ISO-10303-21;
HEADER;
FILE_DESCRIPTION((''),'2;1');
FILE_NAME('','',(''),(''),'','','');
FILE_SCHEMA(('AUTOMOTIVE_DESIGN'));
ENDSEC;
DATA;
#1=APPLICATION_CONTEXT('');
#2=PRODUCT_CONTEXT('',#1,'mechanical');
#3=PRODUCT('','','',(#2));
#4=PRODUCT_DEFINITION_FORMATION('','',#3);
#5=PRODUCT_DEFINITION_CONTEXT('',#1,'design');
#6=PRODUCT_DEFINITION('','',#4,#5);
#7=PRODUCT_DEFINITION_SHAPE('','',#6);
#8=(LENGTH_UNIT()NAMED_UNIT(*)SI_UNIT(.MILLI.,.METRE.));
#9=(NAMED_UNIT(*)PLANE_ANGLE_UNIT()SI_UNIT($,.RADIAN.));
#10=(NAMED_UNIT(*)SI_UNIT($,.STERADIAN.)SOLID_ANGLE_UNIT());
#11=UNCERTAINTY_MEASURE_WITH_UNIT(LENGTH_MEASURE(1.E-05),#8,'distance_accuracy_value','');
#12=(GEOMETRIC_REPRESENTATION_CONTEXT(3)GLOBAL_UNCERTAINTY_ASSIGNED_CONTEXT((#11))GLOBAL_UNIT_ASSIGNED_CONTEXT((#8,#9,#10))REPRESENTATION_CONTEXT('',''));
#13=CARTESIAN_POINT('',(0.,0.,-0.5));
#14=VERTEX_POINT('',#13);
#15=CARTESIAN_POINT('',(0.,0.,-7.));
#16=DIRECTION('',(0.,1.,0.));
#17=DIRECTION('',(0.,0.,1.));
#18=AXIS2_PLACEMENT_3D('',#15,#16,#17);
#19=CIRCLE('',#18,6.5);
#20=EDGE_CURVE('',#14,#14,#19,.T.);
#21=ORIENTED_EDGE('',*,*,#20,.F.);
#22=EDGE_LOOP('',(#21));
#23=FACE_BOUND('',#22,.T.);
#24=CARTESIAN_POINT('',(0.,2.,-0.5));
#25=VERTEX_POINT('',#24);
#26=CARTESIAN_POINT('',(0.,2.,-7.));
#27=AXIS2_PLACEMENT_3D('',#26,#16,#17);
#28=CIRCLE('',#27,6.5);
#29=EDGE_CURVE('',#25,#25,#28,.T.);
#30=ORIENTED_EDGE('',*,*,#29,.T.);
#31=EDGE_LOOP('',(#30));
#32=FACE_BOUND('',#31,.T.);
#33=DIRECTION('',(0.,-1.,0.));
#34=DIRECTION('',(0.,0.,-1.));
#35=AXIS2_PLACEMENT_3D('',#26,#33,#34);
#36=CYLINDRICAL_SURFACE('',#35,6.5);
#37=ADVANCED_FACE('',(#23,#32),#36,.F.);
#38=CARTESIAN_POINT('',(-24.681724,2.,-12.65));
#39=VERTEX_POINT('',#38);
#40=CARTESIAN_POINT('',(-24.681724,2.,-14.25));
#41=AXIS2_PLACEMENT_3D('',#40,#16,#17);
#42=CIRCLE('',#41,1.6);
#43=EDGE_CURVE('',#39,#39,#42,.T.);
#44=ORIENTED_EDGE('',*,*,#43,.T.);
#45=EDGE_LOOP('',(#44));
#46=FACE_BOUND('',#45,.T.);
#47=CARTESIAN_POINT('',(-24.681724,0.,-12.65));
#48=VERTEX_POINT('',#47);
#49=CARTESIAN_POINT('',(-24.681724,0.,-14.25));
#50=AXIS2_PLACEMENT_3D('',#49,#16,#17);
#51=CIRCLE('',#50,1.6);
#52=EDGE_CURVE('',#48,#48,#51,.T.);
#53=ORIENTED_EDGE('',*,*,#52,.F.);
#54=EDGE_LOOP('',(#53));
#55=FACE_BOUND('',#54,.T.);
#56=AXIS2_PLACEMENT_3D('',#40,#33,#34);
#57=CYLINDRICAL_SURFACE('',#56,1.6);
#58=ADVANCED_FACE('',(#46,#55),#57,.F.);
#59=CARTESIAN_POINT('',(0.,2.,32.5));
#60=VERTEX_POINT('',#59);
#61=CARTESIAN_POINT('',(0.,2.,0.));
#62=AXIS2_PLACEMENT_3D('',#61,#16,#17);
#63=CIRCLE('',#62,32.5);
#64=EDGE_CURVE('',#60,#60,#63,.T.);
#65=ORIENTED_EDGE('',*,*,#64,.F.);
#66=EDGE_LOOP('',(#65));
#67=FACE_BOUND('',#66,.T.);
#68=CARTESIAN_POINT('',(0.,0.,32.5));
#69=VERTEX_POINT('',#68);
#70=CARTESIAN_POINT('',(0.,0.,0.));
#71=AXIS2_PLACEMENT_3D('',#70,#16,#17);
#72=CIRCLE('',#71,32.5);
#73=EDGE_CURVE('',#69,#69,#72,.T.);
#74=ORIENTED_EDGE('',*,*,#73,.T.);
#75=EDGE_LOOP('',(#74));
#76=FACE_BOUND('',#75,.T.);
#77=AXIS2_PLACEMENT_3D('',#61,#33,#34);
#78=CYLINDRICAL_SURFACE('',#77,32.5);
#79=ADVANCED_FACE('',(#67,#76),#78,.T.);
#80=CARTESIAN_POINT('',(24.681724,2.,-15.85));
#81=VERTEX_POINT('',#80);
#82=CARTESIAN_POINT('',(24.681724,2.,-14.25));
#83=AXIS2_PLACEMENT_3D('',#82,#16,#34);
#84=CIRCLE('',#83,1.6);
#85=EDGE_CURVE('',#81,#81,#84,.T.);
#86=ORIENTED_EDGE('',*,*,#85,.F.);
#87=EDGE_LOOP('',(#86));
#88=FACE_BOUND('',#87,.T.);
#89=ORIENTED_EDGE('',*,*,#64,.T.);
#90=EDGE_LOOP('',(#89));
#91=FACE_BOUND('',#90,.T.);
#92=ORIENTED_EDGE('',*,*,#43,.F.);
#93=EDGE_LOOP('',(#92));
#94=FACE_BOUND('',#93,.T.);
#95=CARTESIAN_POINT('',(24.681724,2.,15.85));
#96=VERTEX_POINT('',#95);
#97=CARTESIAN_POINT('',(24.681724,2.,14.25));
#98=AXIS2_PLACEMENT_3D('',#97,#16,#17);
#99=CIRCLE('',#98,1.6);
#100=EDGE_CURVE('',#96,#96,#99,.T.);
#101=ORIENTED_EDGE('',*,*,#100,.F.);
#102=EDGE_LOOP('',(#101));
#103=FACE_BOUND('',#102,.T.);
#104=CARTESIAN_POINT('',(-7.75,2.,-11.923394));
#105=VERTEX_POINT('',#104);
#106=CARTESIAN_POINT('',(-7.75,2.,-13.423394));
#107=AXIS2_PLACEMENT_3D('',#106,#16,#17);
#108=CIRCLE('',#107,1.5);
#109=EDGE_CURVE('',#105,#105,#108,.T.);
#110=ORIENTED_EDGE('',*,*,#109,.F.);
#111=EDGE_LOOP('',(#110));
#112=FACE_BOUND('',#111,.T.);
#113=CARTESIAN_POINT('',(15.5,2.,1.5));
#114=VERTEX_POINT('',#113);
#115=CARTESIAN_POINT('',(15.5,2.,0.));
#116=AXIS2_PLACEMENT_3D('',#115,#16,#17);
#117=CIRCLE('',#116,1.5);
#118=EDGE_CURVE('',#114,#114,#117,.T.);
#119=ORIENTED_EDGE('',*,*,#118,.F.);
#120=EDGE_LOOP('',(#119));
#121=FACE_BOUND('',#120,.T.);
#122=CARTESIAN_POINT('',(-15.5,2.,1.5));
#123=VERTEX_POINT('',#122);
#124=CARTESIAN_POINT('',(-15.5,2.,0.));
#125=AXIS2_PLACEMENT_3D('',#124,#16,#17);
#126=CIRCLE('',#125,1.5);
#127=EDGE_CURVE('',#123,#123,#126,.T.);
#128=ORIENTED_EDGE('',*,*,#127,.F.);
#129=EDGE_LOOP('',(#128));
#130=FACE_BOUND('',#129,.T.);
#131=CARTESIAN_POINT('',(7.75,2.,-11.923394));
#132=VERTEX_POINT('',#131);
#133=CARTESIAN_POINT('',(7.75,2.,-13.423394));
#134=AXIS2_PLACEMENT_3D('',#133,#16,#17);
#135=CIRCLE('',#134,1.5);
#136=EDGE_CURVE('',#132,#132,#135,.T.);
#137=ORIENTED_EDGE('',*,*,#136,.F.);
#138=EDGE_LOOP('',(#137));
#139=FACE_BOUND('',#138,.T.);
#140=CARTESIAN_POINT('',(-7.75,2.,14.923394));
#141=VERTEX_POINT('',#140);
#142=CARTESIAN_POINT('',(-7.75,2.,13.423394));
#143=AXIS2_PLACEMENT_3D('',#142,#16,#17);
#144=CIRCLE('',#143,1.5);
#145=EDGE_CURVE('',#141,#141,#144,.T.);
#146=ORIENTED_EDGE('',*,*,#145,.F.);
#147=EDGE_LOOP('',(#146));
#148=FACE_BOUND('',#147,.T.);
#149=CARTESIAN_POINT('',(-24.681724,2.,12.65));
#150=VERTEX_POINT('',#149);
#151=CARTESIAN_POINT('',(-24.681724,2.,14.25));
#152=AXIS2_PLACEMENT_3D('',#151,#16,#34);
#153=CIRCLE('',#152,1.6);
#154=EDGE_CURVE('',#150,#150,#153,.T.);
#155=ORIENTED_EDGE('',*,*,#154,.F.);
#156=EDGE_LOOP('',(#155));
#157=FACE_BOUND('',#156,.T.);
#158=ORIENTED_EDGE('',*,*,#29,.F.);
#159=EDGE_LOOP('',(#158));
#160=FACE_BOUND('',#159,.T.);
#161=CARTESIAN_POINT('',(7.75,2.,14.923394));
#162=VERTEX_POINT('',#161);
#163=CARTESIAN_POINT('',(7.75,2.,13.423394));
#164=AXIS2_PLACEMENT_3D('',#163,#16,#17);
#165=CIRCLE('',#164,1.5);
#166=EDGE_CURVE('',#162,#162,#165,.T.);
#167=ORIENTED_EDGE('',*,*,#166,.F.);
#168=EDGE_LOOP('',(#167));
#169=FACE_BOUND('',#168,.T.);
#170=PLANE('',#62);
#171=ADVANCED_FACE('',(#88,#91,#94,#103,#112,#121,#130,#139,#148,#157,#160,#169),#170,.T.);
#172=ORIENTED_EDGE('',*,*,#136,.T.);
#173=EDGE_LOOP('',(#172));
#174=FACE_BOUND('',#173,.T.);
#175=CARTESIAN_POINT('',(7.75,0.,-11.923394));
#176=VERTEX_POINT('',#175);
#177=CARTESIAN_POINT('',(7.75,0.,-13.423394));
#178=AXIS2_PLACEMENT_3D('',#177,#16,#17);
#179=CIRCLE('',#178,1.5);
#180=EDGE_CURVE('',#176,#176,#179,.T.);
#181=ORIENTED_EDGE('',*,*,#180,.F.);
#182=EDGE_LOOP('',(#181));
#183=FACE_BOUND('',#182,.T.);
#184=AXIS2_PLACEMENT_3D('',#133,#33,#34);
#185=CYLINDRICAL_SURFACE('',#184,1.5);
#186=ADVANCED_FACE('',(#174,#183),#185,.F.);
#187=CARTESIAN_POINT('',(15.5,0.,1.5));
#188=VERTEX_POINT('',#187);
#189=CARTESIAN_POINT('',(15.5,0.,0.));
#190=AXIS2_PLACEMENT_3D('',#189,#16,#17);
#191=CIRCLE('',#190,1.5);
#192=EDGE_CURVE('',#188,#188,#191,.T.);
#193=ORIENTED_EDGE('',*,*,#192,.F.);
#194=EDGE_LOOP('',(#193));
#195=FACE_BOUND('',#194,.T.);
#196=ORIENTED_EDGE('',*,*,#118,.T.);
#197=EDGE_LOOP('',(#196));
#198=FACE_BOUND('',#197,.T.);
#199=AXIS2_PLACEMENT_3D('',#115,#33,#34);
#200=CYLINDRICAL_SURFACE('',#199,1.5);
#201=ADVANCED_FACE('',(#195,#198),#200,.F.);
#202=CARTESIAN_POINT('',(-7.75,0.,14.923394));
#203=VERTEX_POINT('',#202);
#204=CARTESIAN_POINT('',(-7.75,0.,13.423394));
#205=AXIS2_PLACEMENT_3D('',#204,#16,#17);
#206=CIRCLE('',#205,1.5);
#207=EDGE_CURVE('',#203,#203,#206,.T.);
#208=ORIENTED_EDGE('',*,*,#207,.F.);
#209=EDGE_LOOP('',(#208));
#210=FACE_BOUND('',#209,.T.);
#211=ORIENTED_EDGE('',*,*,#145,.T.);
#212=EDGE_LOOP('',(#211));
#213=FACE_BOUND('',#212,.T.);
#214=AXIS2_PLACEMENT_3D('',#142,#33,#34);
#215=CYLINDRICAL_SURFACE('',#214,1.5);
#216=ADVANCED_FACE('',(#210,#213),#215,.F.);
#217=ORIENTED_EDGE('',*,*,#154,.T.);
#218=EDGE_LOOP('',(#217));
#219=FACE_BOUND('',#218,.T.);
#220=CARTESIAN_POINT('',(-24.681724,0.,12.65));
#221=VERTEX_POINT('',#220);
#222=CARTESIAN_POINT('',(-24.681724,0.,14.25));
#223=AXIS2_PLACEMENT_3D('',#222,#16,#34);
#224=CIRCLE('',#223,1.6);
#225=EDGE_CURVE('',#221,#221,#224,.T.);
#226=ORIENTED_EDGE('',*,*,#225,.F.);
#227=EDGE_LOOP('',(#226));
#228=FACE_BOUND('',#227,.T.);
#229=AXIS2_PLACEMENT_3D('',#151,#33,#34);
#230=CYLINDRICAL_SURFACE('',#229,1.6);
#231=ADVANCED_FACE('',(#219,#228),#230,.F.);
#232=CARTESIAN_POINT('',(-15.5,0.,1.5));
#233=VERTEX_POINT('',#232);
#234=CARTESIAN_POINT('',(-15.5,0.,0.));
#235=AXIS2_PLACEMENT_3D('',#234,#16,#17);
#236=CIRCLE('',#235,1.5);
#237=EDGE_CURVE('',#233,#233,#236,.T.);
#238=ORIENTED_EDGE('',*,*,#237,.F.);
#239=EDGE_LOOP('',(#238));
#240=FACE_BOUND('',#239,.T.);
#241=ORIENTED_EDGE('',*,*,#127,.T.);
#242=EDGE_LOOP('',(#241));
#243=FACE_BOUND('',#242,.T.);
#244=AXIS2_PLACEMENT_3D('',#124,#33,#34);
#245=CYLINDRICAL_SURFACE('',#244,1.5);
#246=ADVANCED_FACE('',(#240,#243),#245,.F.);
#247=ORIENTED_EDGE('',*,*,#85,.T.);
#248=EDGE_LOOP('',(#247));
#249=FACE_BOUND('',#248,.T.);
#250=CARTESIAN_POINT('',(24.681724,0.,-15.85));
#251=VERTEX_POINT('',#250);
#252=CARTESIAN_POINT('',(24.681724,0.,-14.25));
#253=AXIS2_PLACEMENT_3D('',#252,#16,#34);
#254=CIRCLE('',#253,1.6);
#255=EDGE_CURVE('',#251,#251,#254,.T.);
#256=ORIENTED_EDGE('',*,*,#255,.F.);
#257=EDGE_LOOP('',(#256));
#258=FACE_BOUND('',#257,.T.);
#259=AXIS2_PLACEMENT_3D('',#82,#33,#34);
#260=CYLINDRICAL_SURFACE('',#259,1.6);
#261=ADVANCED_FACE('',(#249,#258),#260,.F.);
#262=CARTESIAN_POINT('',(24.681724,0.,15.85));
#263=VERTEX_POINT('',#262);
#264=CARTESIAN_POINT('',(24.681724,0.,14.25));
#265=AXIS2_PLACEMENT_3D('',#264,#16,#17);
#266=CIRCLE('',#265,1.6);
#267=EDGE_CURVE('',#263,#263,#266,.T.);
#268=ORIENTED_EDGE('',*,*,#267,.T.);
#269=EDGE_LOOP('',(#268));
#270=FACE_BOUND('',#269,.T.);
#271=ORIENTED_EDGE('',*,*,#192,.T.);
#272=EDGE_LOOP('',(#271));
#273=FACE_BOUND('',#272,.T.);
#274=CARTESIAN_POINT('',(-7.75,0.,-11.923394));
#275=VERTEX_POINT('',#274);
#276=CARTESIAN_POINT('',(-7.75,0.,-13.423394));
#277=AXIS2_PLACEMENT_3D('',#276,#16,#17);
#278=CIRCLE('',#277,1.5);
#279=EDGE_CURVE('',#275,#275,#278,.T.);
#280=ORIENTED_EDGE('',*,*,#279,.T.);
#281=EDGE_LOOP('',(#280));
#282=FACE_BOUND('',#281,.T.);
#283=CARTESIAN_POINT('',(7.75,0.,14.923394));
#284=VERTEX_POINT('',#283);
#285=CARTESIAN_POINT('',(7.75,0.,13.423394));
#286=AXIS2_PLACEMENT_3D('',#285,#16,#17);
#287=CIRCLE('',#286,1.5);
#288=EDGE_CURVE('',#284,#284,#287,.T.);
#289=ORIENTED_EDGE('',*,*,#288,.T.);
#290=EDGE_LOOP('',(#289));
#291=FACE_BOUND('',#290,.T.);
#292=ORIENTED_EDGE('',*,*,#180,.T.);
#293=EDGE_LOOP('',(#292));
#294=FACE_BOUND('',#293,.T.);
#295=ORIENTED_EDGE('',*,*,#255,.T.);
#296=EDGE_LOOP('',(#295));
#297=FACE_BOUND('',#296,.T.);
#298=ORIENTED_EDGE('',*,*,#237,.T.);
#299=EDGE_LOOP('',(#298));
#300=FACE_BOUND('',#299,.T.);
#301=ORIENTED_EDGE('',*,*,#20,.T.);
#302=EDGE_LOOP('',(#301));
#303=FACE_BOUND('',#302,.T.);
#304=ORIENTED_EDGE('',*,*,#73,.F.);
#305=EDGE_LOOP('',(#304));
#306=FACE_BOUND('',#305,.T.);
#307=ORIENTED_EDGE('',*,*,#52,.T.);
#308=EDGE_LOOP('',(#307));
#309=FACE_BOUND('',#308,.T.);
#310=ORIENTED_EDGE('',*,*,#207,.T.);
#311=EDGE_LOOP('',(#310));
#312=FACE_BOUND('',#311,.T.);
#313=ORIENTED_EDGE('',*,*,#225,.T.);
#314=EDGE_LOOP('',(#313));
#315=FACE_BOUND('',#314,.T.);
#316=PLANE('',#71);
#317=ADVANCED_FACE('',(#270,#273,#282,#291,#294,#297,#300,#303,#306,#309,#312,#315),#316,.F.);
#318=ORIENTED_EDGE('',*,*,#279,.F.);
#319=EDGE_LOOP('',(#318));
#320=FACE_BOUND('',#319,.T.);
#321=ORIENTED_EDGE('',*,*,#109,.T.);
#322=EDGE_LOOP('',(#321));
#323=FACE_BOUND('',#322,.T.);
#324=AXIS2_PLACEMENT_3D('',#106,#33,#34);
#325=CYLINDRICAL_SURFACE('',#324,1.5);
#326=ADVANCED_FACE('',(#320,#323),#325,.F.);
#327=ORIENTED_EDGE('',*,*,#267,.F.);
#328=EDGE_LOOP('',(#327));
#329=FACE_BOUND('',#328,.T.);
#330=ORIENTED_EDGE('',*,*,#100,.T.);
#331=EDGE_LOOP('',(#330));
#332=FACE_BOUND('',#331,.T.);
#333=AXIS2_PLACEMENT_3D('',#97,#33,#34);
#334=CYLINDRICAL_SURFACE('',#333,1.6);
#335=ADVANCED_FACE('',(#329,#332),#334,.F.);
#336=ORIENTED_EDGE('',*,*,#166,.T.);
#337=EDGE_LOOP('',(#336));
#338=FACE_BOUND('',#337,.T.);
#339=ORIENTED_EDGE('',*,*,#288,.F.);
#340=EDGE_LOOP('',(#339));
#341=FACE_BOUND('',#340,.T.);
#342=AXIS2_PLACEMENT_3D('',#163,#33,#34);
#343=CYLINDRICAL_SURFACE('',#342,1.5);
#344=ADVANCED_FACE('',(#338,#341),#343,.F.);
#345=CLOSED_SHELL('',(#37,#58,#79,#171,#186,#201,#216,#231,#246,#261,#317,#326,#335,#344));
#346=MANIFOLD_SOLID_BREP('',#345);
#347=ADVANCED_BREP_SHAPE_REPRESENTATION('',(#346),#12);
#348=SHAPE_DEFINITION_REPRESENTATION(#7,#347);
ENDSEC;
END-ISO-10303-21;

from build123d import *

# Parameters (mm, degrees)
SKETCH_1_R      = 32.5
SKETCH_1_R_2    = 1.6
SKETCH_1_R_3    = 6.5
SKETCH_1_R_4    = 1.5
EXTRUDE_1_DEPTH = 2


with BuildPart() as part:
    # 草图1 → 凸台-拉伸1 (new body)
    with BuildSketch(Plane(origin=(0, 0, 0), x_dir=(1, 0, 0), z_dir=(0, 1, 0))):
        with Locations(Location((0, 0, 0), (0, 0, 270))):
            Circle(SKETCH_1_R)
        with Locations(Location((-24.681724008, -14.25, 0), (0, 0, 90))):
            Circle(SKETCH_1_R_2, mode=Mode.SUBTRACT)
        with Locations(Location((0, 7, 0), (0, 0, 270))):
            Circle(SKETCH_1_R_3, mode=Mode.SUBTRACT)
        with Locations(Location((24.681724008, 14.25, 0), (0, 0, 90))):
            Circle(SKETCH_1_R_2, mode=Mode.SUBTRACT)
        with Locations(Location((24.681724008, -14.25, 0), (0, 0, 270))):
            Circle(SKETCH_1_R_2, mode=Mode.SUBTRACT)
        with Locations(Location((-24.681724008, 14.25, 0), (0, 0, 270))):
            Circle(SKETCH_1_R_2, mode=Mode.SUBTRACT)
        with Locations(Location((15.5, 0, 0), (0, 0, 270))):
            Circle(SKETCH_1_R_4, mode=Mode.SUBTRACT)
        with Locations(Location((7.75, -13.423393759, 0), (0, 0, 270))):
            Circle(SKETCH_1_R_4, mode=Mode.SUBTRACT)
        with Locations(Location((-7.75, -13.423393759, 0), (0, 0, 270))):
            Circle(SKETCH_1_R_4, mode=Mode.SUBTRACT)
        with Locations(Location((-15.5, 0, 0), (0, 0, 270))):
            Circle(SKETCH_1_R_4, mode=Mode.SUBTRACT)
        with Locations(Location((-7.75, 13.423393759, 0), (0, 0, 270))):
            Circle(SKETCH_1_R_4, mode=Mode.SUBTRACT)
        with Locations(Location((7.75, 13.423393759, 0), (0, 0, 270))):
            Circle(SKETCH_1_R_4, mode=Mode.SUBTRACT)
    extrude(amount=EXTRUDE_1_DEPTH)


solid = part.part
